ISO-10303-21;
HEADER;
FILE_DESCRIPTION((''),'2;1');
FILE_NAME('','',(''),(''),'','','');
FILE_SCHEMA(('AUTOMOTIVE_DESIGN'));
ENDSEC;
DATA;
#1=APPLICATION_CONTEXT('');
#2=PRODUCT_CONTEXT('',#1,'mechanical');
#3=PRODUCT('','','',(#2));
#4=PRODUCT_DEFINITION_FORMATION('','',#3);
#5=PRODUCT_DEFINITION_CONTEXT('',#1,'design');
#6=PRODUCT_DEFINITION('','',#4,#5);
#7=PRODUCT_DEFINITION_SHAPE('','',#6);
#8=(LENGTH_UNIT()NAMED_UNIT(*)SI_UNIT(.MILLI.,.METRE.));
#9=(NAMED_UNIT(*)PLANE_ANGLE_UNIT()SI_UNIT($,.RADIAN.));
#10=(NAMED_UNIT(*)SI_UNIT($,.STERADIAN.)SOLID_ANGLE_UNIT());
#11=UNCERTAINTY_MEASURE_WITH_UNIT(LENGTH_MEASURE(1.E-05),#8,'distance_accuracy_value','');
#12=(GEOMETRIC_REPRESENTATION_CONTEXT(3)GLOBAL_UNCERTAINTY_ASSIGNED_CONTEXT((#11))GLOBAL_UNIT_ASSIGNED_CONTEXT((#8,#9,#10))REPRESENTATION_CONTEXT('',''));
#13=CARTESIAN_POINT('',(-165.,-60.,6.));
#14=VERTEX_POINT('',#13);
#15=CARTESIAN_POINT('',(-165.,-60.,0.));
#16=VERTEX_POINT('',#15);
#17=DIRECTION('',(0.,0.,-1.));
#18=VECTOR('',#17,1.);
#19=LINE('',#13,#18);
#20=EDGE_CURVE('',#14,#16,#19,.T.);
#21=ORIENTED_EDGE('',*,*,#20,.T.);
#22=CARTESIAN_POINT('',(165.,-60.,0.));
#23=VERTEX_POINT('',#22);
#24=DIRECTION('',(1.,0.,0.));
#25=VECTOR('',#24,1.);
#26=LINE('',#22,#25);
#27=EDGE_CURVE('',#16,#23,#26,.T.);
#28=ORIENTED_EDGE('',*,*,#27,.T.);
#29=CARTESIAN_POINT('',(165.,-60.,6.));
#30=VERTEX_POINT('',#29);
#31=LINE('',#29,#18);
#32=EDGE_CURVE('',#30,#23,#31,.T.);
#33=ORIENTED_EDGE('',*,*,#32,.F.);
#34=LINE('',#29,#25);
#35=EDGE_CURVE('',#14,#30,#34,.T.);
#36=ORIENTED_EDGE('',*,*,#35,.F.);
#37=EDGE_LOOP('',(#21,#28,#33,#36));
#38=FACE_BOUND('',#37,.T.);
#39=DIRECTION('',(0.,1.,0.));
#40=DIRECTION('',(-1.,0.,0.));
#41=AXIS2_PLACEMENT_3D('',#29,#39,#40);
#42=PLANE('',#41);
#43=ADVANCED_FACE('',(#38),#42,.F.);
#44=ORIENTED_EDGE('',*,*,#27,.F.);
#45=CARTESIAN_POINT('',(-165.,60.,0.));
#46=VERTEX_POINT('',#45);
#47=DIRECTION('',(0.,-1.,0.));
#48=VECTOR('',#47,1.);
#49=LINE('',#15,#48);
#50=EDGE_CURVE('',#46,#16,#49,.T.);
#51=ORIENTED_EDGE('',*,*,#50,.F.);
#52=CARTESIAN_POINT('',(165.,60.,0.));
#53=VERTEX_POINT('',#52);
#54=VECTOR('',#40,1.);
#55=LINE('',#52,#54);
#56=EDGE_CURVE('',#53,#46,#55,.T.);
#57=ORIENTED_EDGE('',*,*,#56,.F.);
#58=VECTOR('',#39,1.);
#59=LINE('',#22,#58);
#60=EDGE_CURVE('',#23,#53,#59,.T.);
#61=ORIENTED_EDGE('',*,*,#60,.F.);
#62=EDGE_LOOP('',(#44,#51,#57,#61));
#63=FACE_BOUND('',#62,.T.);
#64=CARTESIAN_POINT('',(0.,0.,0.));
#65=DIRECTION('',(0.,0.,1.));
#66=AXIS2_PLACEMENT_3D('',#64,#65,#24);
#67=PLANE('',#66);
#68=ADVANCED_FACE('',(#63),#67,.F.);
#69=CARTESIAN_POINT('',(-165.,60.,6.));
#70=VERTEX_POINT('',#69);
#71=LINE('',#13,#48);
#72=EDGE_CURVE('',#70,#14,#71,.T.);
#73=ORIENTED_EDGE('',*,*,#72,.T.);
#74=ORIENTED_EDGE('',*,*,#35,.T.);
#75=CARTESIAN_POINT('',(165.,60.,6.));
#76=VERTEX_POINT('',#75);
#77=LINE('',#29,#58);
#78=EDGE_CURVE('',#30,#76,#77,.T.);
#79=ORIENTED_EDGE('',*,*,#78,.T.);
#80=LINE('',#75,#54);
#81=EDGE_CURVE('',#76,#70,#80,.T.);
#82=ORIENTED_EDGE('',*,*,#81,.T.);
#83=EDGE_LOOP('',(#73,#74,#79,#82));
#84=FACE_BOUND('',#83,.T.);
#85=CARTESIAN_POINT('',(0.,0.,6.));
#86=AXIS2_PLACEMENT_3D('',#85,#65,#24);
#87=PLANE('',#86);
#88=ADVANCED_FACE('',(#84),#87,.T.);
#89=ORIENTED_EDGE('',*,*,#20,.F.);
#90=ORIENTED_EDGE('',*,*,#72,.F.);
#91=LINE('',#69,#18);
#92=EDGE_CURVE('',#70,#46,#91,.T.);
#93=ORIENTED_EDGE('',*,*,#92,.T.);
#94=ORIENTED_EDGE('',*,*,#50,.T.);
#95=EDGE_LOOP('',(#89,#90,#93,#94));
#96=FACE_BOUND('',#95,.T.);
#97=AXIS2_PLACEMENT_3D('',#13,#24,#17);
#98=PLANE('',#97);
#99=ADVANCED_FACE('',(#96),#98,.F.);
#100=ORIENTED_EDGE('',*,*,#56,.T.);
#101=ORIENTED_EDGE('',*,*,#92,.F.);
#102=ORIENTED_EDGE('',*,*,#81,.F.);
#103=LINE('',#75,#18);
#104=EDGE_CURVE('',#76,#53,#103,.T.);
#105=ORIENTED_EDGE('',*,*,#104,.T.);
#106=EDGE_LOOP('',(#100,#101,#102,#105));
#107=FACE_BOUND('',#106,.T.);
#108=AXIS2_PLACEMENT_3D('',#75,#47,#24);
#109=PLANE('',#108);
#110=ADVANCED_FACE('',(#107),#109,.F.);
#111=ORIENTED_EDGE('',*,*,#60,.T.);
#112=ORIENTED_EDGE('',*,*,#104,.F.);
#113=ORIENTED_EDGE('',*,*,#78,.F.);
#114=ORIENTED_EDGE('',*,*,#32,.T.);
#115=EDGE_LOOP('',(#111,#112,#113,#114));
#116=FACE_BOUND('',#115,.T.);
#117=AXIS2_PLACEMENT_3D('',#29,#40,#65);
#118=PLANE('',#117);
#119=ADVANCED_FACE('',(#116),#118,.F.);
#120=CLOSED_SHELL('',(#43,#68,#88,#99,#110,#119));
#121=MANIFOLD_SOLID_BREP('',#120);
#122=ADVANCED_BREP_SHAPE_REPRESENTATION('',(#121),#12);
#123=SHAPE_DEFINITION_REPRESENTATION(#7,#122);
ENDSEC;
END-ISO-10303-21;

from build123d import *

# Parameters (mm, degrees)
ESQUISSE1_W        = 330
ESQUISSE1_H        = 120
BOSS_EXTRU_1_DEPTH = 6


with BuildPart() as part:
    # Esquisse1 → Boss.-Extru.1 (new body)
    with BuildSketch(Plane.XY):
        Rectangle(ESQUISSE1_W, ESQUISSE1_H)
    extrude(amount=BOSS_EXTRU_1_DEPTH)


solid = part.part
